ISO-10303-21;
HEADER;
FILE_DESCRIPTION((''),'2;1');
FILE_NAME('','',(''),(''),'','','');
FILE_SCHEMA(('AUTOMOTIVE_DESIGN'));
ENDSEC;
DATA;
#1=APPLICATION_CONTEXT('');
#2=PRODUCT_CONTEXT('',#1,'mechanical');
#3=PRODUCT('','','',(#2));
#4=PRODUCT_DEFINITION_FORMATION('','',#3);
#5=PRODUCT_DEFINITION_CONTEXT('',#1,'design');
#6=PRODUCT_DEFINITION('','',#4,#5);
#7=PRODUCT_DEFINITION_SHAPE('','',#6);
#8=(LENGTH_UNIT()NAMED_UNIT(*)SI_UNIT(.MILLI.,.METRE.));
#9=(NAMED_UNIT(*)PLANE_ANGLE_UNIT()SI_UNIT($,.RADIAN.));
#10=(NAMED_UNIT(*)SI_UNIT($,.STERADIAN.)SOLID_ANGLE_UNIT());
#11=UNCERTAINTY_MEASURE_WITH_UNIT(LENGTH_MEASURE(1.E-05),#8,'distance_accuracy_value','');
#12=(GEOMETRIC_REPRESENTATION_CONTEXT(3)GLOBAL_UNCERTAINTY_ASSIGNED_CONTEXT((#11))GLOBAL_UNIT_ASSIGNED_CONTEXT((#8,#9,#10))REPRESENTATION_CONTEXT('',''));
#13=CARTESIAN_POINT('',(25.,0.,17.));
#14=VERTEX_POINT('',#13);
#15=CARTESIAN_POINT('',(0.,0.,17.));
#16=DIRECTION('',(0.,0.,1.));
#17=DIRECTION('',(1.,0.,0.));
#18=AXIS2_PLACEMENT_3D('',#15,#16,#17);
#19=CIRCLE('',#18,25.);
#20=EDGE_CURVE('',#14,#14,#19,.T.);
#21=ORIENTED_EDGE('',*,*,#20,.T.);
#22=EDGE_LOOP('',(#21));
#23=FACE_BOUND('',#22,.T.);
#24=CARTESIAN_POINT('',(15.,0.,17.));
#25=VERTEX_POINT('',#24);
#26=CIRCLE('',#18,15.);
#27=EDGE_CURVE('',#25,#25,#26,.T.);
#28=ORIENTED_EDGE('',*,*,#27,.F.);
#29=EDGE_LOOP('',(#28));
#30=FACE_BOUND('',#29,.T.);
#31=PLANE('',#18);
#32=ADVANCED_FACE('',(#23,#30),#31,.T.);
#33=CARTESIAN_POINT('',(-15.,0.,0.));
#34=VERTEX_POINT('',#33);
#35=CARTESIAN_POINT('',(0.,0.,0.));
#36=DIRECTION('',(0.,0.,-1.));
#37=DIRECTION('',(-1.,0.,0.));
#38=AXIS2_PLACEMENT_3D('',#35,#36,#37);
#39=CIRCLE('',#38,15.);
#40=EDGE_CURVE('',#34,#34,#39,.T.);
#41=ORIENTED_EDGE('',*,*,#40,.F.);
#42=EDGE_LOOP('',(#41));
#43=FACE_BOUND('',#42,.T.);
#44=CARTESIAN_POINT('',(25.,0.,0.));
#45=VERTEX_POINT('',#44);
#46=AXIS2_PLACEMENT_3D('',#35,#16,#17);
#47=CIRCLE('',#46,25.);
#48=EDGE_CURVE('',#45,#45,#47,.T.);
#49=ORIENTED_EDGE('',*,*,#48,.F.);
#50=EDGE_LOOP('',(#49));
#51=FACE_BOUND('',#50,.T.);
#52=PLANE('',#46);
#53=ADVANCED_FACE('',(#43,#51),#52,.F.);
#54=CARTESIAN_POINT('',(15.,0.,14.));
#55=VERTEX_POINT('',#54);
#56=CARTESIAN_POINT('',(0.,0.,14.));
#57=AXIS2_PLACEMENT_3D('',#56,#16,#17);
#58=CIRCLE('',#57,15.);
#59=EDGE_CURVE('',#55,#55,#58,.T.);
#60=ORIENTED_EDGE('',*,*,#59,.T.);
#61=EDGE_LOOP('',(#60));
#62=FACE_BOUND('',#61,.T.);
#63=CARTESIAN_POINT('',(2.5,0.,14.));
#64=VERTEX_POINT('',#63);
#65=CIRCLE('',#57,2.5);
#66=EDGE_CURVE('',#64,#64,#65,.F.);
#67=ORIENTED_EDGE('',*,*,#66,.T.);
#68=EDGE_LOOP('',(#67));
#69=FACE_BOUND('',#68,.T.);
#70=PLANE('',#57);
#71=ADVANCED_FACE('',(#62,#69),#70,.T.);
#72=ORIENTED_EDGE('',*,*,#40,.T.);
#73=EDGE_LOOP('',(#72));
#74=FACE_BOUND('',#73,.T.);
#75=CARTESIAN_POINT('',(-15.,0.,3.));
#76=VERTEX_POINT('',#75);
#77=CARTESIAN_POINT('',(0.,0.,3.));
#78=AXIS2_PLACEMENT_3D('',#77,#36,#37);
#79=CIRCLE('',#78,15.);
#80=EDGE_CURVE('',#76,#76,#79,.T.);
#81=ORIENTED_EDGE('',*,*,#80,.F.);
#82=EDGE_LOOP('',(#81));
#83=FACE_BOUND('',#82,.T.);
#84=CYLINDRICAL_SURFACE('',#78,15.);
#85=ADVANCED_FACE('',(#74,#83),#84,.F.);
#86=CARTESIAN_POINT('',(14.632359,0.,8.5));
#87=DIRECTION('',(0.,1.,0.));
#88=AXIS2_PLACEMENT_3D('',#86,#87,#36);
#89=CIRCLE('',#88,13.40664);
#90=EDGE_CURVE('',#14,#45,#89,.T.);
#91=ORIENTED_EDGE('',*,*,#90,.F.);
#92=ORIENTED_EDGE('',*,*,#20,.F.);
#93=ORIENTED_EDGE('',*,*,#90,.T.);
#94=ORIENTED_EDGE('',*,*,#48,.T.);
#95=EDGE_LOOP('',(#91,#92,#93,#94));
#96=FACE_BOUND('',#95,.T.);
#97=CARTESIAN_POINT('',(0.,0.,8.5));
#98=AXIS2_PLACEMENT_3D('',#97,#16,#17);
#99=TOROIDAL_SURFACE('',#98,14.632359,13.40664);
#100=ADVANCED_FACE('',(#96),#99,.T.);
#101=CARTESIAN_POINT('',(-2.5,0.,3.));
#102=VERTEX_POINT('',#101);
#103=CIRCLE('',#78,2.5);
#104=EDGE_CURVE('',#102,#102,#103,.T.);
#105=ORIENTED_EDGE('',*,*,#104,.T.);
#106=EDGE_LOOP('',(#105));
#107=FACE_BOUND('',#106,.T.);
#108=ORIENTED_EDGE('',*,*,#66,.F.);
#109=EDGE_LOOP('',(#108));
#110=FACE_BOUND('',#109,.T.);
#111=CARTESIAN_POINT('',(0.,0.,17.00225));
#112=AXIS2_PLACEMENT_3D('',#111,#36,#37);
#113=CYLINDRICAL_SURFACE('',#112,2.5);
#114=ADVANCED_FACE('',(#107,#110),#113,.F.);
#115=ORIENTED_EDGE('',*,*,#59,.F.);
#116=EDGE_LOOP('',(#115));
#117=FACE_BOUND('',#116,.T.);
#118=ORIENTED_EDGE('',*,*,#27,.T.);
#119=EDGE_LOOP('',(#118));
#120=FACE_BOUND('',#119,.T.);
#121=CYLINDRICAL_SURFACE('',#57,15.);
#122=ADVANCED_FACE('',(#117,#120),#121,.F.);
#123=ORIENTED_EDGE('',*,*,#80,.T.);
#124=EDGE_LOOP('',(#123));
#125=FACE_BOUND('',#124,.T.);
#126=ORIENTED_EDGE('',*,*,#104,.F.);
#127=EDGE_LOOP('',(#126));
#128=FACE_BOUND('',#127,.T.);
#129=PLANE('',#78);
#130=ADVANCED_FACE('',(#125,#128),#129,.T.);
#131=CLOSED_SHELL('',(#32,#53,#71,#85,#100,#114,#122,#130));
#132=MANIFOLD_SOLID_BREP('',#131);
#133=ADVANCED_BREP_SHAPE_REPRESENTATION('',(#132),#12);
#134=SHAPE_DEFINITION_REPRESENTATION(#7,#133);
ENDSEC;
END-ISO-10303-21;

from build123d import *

# Parameters (mm, degrees)
SKETCH_1_R          = 25
EXTRUDE_1_DEPTH     = 17
SKETCH_4_R          = 15
CUT_EXTRUDE_1_DEPTH = 3
CUT_EXTRUDE_START   = -3
SKETCH_5_R          = 15
CUT_EXTRUDE_2_DEPTH = 3
CUT_EXTRUDE_3_REACH = 44.052
SKETCH_6_R          = 2.5


with BuildPart() as part:
    # 草图1 → 凸台-拉伸1 (new body)
    with BuildSketch(Plane.XY):
        Circle(SKETCH_1_R)
    extrude(amount=EXTRUDE_1_DEPTH)

    # 扫描1: sweep along a curve in space
    with BuildLine() as sweep_1_path:
        ThreePointArc((25, 0, 17), (17.67766953, 17.67766953, 17), (0, 25, 17))
        ThreePointArc((0, 25, 17), (-17.67766953, 17.67766953, 17), (-25, 0, 17))
        ThreePointArc((-25, 0, 17), (-17.67766953, -17.67766953, 17), (0, -25, 17))
        ThreePointArc((0, -25, 17), (17.67766953, -17.67766953, 17), (25, 0, 17))
    # 草图3 → 扫描1 (sweep)
    with BuildSketch(Plane(origin=(0, 0, 0), x_dir=(1, 0, 0), z_dir=(0, 1, 0))):
        with BuildLine():
            Line((25, -17), (25, 0))
            ThreePointArc((25, 0), (28.038998363, -8.5), (25, -17))
        make_face()
    sweep(path=sweep_1_path.line)

    # 草图4 → 切除-拉伸1 (cut)
    with BuildSketch(Plane(origin=(0, 0, 0), x_dir=(-1, 0, 0), z_dir=(0, 0, -1))):
        Circle(SKETCH_4_R)
    extrude(amount=-CUT_EXTRUDE_1_DEPTH, mode=Mode.SUBTRACT)

    # 草图5 → 切除-拉伸2 (cut)
    with BuildSketch(Plane.XY.offset(17).offset(CUT_EXTRUDE_START)):
        with Locations(Location((0, 0, 0), (0, 0, 180))):
            Circle(SKETCH_5_R)
    extrude(amount=CUT_EXTRUDE_2_DEPTH, mode=Mode.SUBTRACT)

    # 草图6 → 切除-拉伸3 (cut, up to next)
    with BuildSketch(Plane(origin=(0, 0, 3), x_dir=(-1, 0, 0), z_dir=(0, 0, -1)), mode=Mode.PRIVATE) as cut_extrude_3_sk1:
        Circle(SKETCH_6_R)
    cut_extrude_3_tool1 = extrude(cut_extrude_3_sk1.sketch, amount=-CUT_EXTRUDE_3_REACH, mode=Mode.PRIVATE) & part.part
    add(cut_extrude_3_tool1.solids().sort_by_distance((0, 0, 3))[0], mode=Mode.SUBTRACT)


solid = part.part
